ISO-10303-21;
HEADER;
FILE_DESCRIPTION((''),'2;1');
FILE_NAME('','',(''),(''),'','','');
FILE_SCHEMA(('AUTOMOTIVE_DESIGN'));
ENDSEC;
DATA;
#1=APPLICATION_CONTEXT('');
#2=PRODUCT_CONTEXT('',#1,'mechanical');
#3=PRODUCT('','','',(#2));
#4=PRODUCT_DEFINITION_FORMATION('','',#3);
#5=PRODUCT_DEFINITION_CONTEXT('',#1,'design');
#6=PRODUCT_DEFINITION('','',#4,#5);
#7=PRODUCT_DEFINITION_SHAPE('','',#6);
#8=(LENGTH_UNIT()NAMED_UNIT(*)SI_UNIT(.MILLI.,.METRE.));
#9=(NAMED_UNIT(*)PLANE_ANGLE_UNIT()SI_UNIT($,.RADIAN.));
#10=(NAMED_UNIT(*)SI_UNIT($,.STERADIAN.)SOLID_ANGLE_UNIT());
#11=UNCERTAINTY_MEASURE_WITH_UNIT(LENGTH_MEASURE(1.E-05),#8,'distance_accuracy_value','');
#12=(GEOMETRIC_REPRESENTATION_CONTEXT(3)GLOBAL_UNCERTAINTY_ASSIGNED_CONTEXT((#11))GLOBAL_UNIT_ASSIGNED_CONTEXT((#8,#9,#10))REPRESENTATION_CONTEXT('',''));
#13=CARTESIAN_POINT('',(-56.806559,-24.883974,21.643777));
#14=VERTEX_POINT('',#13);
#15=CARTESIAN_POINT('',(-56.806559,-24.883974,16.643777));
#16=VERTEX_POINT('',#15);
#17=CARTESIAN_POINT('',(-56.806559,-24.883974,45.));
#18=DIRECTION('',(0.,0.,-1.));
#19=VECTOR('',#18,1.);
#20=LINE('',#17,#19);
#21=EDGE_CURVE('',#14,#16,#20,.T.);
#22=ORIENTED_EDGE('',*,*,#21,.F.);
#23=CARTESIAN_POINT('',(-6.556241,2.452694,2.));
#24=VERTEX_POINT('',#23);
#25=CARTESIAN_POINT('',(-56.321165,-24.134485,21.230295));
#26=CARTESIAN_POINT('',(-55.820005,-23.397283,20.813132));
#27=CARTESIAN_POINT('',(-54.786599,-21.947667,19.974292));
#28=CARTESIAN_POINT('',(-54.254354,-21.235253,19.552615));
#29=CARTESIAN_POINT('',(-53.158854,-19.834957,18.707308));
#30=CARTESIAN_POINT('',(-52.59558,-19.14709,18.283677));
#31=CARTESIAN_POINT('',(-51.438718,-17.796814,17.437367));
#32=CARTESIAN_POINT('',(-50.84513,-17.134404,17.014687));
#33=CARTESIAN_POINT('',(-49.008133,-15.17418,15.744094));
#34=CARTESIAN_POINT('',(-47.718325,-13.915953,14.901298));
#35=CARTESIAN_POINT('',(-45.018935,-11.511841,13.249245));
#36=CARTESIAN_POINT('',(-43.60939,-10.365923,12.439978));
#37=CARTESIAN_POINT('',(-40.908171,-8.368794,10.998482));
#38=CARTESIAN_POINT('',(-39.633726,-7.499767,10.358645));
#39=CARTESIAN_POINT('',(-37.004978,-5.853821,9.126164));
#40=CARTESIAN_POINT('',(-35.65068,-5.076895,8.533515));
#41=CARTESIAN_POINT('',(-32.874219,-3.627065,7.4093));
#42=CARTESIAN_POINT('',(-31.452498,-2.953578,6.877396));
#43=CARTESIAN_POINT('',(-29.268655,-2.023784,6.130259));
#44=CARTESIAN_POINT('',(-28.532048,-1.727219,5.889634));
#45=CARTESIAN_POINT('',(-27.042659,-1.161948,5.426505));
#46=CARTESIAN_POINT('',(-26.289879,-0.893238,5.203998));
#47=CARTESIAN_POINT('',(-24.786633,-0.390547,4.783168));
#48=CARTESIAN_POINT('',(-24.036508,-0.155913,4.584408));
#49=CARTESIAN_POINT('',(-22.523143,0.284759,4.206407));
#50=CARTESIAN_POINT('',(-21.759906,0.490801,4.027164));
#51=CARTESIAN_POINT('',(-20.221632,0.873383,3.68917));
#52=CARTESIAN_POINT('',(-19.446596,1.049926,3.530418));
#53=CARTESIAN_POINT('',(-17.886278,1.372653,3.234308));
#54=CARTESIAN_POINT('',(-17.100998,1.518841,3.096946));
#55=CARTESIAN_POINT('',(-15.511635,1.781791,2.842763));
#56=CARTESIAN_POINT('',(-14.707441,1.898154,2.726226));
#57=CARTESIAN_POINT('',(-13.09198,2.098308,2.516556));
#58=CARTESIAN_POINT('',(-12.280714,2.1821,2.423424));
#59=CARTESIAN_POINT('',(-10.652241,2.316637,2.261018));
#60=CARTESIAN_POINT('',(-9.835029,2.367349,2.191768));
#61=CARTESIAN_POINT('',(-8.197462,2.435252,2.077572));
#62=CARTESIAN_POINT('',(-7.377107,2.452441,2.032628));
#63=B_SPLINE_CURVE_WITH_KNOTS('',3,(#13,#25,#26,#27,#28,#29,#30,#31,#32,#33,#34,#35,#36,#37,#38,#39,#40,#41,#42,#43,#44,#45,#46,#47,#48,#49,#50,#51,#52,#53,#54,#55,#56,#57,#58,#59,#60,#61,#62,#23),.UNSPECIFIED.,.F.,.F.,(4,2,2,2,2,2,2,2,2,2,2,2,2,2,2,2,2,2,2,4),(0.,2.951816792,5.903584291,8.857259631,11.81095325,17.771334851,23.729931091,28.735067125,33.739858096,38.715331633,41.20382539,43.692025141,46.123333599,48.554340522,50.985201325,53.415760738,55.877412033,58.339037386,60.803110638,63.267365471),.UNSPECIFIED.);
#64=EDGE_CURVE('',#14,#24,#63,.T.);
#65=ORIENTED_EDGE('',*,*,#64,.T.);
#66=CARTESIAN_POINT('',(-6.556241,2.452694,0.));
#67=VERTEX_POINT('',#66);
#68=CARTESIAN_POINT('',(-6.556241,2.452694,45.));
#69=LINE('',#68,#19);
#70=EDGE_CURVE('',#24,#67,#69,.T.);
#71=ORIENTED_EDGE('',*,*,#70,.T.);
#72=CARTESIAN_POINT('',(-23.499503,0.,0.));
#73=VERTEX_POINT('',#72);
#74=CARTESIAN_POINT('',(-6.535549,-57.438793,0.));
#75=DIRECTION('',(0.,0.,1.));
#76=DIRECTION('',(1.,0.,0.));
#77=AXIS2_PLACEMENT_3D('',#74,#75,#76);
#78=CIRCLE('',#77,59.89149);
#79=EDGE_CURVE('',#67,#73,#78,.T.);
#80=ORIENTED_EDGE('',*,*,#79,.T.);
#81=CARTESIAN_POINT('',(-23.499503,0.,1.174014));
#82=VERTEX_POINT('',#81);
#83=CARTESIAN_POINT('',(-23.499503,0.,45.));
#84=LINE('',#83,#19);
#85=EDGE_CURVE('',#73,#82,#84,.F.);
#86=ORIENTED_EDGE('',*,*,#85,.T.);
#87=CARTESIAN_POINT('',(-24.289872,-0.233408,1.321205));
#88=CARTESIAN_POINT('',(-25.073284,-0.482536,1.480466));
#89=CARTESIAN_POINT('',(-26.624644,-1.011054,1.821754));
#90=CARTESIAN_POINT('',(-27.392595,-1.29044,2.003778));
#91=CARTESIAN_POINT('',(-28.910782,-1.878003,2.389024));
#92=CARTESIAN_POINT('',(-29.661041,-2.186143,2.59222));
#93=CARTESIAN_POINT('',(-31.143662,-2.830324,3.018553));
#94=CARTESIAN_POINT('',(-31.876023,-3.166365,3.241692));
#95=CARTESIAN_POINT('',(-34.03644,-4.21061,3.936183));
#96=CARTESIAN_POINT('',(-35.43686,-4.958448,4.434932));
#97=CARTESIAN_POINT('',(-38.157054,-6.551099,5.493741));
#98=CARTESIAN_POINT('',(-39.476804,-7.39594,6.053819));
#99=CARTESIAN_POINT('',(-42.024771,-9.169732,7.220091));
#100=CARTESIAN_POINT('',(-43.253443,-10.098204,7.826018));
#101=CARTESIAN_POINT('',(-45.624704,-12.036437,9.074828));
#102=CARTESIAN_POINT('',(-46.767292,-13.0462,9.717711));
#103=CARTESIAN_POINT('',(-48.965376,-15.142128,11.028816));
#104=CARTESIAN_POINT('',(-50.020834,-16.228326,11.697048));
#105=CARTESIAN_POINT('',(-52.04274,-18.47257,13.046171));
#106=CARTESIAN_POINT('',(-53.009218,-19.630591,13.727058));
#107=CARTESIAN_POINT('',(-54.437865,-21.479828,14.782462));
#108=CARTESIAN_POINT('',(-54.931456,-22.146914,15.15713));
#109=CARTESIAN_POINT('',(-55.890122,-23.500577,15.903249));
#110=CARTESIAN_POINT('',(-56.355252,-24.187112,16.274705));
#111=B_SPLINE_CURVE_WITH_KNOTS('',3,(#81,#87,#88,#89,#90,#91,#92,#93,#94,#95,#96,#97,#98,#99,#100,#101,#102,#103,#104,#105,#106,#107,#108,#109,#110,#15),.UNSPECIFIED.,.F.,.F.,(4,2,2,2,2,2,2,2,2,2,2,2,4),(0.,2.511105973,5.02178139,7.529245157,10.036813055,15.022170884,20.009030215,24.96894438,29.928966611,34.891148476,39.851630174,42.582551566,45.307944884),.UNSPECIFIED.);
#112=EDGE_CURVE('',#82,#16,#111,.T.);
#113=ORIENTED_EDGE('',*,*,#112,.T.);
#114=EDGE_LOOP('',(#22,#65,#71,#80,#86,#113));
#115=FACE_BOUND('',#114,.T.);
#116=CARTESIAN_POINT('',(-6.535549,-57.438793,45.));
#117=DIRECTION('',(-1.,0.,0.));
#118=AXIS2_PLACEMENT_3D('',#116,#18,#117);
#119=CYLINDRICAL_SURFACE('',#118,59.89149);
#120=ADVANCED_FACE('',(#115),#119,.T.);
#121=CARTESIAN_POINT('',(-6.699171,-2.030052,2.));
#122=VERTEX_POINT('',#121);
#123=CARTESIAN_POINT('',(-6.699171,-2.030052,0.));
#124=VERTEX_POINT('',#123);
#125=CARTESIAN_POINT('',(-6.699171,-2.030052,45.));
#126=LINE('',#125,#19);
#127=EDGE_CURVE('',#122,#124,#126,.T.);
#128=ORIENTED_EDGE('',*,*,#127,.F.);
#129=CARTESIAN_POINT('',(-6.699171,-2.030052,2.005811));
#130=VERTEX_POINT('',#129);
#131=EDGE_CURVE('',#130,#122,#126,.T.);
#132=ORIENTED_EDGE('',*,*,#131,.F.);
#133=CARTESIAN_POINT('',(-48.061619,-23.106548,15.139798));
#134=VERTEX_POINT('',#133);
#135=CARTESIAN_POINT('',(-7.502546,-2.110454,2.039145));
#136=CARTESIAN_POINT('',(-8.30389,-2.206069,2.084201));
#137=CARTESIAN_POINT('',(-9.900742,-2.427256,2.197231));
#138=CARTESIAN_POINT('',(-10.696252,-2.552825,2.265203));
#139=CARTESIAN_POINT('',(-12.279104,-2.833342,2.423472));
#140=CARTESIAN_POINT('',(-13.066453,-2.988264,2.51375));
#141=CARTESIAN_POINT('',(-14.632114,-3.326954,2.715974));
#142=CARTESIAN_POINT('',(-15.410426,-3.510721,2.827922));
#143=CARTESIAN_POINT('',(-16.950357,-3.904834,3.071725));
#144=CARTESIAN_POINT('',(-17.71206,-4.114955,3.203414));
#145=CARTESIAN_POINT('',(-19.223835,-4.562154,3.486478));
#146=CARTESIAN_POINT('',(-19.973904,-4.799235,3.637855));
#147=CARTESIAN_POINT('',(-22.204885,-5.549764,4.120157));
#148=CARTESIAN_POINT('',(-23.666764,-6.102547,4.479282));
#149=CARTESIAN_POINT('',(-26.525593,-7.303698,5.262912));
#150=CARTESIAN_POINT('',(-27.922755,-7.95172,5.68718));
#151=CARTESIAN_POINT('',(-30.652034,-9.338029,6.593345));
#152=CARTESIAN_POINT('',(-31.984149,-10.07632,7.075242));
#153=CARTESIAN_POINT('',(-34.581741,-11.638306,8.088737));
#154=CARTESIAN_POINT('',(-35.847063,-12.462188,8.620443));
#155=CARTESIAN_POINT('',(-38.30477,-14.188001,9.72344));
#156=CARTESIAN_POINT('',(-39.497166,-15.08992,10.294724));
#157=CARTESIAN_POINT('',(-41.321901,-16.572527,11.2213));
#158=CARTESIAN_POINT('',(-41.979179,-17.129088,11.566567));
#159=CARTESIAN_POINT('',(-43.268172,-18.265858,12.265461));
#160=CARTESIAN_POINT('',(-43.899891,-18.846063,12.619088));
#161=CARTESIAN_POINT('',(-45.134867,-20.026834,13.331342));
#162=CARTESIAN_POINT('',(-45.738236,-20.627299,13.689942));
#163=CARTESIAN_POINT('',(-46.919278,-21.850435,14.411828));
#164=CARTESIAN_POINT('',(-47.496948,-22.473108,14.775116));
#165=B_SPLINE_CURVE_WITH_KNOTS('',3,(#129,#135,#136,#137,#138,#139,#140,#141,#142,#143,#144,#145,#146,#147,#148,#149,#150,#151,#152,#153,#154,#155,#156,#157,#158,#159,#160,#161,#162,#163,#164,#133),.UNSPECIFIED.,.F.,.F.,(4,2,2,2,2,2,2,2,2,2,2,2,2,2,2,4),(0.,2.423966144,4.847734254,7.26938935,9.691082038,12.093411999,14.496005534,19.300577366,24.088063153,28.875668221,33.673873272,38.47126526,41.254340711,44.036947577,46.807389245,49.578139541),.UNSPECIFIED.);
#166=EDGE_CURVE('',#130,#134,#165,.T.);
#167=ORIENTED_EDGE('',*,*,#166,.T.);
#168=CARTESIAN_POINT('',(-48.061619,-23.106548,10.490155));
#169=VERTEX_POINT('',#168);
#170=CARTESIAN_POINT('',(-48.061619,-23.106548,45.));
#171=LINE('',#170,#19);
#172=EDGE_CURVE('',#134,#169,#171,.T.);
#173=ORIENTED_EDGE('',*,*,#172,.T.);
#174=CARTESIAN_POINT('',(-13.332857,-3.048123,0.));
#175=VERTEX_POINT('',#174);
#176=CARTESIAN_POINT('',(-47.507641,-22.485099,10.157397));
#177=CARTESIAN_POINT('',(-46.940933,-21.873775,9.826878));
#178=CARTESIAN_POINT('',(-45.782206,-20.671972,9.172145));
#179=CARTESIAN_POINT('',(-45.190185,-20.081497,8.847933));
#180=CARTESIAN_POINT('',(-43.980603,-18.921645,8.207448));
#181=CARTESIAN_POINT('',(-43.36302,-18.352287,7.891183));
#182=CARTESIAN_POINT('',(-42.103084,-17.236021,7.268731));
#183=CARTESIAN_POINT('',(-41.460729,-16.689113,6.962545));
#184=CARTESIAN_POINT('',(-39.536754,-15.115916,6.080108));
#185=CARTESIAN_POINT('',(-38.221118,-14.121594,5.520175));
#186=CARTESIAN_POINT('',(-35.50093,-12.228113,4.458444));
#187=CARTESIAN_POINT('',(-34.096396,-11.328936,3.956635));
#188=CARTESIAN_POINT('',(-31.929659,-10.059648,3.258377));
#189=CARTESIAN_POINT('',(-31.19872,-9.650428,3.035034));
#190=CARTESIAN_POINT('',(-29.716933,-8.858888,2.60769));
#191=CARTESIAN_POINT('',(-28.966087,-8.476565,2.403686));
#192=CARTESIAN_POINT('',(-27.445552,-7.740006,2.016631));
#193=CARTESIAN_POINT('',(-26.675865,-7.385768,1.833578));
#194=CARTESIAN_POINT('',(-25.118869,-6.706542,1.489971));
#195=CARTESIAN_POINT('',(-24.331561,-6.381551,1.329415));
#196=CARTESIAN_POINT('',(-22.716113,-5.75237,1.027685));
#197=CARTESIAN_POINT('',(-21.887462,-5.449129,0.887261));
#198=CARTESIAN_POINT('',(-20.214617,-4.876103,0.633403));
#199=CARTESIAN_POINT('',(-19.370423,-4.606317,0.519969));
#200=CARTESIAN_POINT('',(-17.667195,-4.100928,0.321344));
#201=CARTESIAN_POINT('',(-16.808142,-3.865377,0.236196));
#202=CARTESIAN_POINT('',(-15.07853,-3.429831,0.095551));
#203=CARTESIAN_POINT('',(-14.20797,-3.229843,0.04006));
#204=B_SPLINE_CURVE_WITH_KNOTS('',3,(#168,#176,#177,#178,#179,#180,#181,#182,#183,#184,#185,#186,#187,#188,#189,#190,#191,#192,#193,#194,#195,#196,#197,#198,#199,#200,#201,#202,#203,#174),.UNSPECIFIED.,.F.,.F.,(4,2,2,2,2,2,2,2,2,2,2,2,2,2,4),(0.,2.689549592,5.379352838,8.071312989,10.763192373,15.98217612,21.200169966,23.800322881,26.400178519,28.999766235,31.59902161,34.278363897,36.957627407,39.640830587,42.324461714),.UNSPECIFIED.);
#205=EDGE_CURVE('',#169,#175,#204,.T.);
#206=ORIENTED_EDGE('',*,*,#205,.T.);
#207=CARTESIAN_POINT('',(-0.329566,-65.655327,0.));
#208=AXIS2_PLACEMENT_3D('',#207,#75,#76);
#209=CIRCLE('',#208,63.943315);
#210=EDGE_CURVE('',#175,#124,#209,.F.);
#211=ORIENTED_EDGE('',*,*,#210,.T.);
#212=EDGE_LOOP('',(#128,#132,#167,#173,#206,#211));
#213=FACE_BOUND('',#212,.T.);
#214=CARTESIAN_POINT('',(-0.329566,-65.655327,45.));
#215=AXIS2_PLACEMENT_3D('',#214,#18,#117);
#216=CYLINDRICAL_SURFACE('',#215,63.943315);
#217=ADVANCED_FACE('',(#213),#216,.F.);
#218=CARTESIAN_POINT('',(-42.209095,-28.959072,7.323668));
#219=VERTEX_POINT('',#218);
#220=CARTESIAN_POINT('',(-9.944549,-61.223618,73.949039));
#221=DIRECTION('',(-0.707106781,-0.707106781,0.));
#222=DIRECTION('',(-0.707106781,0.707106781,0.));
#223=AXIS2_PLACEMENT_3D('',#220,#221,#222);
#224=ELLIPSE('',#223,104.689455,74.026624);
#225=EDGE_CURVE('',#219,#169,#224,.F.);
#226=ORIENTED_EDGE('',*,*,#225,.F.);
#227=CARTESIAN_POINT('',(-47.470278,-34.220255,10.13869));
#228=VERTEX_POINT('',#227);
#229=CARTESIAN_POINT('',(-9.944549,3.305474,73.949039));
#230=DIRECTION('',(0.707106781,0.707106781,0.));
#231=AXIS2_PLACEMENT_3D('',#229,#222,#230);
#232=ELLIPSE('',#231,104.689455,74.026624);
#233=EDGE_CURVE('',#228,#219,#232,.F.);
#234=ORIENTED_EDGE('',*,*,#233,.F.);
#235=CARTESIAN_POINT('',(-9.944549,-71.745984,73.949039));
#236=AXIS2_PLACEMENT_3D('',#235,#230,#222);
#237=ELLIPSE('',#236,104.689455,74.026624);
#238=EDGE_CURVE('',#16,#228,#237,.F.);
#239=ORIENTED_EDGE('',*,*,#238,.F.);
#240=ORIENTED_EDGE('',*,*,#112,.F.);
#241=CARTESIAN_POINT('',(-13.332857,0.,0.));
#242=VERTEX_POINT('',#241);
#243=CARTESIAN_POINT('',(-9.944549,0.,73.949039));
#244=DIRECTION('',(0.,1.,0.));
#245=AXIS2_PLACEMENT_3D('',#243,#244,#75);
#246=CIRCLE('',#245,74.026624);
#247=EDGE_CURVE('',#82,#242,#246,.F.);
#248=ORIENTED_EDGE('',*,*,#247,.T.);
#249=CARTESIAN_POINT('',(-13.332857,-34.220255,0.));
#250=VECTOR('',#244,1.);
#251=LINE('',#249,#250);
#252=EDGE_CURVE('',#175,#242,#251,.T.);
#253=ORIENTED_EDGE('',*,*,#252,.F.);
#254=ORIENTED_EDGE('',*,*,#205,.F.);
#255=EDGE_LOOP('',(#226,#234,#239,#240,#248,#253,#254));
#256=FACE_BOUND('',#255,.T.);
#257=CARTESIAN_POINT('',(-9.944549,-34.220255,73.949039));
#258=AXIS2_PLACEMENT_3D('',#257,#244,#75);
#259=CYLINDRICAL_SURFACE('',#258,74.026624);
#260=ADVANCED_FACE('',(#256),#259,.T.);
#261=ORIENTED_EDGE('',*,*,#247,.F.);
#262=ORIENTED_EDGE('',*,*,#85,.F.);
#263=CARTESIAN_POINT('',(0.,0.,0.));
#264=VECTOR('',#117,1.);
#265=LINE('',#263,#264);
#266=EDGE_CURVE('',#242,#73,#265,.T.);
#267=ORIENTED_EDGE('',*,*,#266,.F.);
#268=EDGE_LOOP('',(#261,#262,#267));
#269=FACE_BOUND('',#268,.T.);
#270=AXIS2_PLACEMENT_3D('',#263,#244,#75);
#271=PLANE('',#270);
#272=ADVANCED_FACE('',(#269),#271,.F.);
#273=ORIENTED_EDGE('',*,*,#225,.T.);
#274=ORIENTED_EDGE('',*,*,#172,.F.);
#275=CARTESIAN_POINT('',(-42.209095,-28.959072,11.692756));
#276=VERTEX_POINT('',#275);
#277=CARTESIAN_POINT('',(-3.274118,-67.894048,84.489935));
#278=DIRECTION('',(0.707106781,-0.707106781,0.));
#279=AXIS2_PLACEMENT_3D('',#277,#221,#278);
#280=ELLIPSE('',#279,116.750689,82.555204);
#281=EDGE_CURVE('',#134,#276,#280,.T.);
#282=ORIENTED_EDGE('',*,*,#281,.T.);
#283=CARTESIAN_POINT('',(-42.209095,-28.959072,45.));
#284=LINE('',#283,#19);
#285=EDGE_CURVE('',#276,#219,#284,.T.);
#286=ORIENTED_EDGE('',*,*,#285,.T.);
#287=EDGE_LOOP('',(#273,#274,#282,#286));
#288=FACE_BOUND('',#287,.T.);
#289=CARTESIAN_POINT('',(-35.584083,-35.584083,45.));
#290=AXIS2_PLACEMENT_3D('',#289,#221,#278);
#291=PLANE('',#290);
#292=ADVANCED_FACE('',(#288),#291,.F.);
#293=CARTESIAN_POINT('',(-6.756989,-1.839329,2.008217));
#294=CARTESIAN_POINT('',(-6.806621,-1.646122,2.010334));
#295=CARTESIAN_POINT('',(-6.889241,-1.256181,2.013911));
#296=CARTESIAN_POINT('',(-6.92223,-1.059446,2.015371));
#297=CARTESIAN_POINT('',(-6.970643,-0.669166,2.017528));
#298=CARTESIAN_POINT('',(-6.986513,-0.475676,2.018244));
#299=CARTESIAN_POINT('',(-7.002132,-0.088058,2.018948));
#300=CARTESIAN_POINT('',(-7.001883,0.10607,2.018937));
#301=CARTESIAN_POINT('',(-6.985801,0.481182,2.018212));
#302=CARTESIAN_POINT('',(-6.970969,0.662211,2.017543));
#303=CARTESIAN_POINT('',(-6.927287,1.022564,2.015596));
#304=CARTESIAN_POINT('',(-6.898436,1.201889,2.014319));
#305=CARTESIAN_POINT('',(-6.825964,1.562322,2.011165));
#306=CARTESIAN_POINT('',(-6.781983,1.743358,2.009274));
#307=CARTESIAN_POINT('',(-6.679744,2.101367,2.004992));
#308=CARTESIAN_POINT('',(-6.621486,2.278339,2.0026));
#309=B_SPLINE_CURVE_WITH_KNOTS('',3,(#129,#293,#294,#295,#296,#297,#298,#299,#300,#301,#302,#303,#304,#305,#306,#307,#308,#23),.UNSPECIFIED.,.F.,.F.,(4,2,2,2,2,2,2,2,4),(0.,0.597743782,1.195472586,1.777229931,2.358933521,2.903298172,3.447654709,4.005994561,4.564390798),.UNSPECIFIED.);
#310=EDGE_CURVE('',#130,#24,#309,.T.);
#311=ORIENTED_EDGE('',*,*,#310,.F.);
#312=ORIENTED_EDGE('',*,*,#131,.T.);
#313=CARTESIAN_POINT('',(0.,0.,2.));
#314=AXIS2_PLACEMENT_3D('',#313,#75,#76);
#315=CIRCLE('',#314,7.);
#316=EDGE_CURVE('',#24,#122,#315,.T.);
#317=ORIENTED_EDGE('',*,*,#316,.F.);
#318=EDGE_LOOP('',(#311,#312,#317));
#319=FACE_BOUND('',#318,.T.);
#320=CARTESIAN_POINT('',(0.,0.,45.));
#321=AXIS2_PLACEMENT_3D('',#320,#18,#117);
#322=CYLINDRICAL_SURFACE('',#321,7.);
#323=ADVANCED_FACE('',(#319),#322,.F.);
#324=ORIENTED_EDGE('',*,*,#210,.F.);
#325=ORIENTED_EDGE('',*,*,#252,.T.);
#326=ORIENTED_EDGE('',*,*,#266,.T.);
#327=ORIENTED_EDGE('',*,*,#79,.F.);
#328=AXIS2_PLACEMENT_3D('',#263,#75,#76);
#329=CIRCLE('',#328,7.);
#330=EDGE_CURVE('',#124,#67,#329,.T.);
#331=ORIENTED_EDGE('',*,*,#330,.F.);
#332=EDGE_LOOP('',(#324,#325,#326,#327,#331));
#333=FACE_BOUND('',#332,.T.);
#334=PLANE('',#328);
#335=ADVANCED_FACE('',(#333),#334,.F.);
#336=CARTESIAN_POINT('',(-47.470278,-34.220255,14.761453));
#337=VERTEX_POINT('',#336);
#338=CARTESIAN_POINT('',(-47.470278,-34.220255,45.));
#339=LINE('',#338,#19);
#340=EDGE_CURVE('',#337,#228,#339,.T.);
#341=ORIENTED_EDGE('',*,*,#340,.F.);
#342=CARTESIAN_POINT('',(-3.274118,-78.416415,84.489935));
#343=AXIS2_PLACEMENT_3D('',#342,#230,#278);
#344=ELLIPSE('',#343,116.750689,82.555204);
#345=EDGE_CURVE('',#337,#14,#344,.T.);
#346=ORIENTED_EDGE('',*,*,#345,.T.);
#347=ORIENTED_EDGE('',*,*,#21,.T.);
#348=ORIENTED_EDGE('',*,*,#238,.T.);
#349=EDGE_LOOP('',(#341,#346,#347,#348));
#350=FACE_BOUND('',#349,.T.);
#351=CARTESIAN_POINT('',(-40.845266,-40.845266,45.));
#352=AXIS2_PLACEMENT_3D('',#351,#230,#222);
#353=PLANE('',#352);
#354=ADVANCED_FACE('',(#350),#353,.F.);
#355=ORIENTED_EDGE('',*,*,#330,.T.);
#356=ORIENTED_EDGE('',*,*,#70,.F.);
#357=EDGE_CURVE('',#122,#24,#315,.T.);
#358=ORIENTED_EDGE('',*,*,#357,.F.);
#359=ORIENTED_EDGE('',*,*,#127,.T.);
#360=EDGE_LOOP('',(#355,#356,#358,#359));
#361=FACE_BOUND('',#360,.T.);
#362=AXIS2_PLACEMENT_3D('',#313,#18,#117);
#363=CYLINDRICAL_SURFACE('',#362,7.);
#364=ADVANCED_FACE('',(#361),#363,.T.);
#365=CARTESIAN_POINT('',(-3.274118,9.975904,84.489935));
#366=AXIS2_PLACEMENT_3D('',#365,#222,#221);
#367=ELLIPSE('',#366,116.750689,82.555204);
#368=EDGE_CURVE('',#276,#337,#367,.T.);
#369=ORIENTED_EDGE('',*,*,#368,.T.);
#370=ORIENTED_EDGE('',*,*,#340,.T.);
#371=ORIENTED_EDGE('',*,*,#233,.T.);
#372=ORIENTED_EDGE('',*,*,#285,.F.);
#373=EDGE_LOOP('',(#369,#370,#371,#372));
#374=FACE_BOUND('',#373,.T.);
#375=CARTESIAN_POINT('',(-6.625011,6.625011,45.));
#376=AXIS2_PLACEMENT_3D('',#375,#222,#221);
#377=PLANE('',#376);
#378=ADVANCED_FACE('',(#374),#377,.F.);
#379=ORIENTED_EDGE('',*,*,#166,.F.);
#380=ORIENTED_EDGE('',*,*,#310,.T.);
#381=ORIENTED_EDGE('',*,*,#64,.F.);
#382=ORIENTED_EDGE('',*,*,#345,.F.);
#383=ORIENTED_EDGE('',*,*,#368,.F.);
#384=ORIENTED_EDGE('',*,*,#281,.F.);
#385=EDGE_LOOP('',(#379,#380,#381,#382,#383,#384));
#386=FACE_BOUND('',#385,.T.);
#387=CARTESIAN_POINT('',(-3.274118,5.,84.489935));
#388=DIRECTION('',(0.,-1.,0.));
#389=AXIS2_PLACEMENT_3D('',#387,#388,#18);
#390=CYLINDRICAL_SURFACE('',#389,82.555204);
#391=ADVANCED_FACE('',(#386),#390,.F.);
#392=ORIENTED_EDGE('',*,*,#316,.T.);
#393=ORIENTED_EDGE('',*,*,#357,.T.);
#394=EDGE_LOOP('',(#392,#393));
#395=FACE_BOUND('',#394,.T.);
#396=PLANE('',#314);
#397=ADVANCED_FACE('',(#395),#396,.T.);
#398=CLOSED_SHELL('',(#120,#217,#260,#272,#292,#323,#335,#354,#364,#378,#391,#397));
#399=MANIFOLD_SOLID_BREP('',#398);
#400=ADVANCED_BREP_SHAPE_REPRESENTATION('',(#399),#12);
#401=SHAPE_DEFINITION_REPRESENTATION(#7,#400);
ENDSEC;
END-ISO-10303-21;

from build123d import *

# Parameters (mm, degrees)
BOSS_EXTRU_2_DEPTH           = 2
BOSS_EXTRU_3_DEPTH           = 45
ENL_V_MAT_EXTRU_3_DEPTH      = 5
ENL_V_MAT_EXTRU_3_DEPTH_BACK = 81.143689392
ENL_V_MAT_EXTRU_4_DEPTH      = 70.76004634


with BuildPart() as part:
    # Esquisse3 → Boss.-Extru.2 (new body)
    with BuildSketch(Plane.XY):
        with BuildLine():
            ThreePointArc((7, 0), (1.246257582, 6.888166813), (-6.556240583, 2.452694319))
            ThreePointArc((-6.556240583, 2.452694319), (-6.99644453, 0.22307834), (-6.699170831, -2.030051767))
            ThreePointArc((-6.699170831, -2.030051767), (1.026110175, -6.924384298), (7, 0))
        make_face()
    extrude(amount=BOSS_EXTRU_2_DEPTH)

    # Esquisse3<3> → Boss.-Extru.3 (add)
    with BuildSketch(Plane.XY):
        with BuildLine():
            ThreePointArc((-6.556240583, 2.452694319), (-35.156121343, -4.82839961), (-56.806558544, -24.883974331))
            Line((-56.806558544, -24.883974331), (-47.470277823, -34.220255052))
            Line((-47.470277823, -34.220255052), (-42.209094679, -28.959071907))
            Line((-42.209094679, -28.959071907), (-48.061618993, -23.106547593))
            ThreePointArc((-48.061618993, -23.106547593), (-29.360618565, -8.682127194), (-6.699170831, -2.030051767))
            ThreePointArc((-6.699170831, -2.030051767), (-6.99644453, 0.22307834), (-6.556240583, 2.452694319))
        make_face()
    extrude(amount=BOSS_EXTRU_3_DEPTH)

    # Esquisse4 → Enlèv. mat.-Extru.3 (cut, two sides: drawn at the far end of the back side and taken through both)
    with BuildSketch(Plane(origin=(0, 0, 0), x_dir=(1, 0, 0), z_dir=(0, 1, 0)).offset(-ENL_V_MAT_EXTRU_3_DEPTH_BACK)):
        with BuildLine():
            Line((-6.556240583, -21.643777245), (-6.556240583, -2))
            ThreePointArc((-6.556240583, -2), (-33.331448935, -7.600933328), (-56.806558544, -21.643777245))
            Line((-56.806558544, -21.643777245), (-56.806558544, -45))
            Line((-56.806558544, -45), (-56.806558544, -53.527020644))
            Line((-56.806558544, -53.527020644), (-6.425184121, -53.527020644))
            Line((-6.425184121, -53.527020644), (-6.556240583, -21.643777245))
        make_face()
    extrude(amount=ENL_V_MAT_EXTRU_3_DEPTH + ENL_V_MAT_EXTRU_3_DEPTH_BACK, mode=Mode.SUBTRACT)

    # Esquisse4<4> → Enlèv. mat.-Extru.4 (cut, through all)
    with BuildSketch(Plane(origin=(0, 0, 0), x_dir=(1, 0, 0), z_dir=(0, 1, 0))):
        with BuildLine():
            ThreePointArc((-56.806558544, -16.643777245), (-36.412027531, -4.815736188), (-13.332856502, 0))
            Line((-13.332856502, 0), (-56.806558544, 0))
            Line((-56.806558544, 0), (-56.806558544, -16.643777245))
        make_face()
    extrude(amount=-ENL_V_MAT_EXTRU_4_DEPTH, mode=Mode.SUBTRACT)


solid = part.part
